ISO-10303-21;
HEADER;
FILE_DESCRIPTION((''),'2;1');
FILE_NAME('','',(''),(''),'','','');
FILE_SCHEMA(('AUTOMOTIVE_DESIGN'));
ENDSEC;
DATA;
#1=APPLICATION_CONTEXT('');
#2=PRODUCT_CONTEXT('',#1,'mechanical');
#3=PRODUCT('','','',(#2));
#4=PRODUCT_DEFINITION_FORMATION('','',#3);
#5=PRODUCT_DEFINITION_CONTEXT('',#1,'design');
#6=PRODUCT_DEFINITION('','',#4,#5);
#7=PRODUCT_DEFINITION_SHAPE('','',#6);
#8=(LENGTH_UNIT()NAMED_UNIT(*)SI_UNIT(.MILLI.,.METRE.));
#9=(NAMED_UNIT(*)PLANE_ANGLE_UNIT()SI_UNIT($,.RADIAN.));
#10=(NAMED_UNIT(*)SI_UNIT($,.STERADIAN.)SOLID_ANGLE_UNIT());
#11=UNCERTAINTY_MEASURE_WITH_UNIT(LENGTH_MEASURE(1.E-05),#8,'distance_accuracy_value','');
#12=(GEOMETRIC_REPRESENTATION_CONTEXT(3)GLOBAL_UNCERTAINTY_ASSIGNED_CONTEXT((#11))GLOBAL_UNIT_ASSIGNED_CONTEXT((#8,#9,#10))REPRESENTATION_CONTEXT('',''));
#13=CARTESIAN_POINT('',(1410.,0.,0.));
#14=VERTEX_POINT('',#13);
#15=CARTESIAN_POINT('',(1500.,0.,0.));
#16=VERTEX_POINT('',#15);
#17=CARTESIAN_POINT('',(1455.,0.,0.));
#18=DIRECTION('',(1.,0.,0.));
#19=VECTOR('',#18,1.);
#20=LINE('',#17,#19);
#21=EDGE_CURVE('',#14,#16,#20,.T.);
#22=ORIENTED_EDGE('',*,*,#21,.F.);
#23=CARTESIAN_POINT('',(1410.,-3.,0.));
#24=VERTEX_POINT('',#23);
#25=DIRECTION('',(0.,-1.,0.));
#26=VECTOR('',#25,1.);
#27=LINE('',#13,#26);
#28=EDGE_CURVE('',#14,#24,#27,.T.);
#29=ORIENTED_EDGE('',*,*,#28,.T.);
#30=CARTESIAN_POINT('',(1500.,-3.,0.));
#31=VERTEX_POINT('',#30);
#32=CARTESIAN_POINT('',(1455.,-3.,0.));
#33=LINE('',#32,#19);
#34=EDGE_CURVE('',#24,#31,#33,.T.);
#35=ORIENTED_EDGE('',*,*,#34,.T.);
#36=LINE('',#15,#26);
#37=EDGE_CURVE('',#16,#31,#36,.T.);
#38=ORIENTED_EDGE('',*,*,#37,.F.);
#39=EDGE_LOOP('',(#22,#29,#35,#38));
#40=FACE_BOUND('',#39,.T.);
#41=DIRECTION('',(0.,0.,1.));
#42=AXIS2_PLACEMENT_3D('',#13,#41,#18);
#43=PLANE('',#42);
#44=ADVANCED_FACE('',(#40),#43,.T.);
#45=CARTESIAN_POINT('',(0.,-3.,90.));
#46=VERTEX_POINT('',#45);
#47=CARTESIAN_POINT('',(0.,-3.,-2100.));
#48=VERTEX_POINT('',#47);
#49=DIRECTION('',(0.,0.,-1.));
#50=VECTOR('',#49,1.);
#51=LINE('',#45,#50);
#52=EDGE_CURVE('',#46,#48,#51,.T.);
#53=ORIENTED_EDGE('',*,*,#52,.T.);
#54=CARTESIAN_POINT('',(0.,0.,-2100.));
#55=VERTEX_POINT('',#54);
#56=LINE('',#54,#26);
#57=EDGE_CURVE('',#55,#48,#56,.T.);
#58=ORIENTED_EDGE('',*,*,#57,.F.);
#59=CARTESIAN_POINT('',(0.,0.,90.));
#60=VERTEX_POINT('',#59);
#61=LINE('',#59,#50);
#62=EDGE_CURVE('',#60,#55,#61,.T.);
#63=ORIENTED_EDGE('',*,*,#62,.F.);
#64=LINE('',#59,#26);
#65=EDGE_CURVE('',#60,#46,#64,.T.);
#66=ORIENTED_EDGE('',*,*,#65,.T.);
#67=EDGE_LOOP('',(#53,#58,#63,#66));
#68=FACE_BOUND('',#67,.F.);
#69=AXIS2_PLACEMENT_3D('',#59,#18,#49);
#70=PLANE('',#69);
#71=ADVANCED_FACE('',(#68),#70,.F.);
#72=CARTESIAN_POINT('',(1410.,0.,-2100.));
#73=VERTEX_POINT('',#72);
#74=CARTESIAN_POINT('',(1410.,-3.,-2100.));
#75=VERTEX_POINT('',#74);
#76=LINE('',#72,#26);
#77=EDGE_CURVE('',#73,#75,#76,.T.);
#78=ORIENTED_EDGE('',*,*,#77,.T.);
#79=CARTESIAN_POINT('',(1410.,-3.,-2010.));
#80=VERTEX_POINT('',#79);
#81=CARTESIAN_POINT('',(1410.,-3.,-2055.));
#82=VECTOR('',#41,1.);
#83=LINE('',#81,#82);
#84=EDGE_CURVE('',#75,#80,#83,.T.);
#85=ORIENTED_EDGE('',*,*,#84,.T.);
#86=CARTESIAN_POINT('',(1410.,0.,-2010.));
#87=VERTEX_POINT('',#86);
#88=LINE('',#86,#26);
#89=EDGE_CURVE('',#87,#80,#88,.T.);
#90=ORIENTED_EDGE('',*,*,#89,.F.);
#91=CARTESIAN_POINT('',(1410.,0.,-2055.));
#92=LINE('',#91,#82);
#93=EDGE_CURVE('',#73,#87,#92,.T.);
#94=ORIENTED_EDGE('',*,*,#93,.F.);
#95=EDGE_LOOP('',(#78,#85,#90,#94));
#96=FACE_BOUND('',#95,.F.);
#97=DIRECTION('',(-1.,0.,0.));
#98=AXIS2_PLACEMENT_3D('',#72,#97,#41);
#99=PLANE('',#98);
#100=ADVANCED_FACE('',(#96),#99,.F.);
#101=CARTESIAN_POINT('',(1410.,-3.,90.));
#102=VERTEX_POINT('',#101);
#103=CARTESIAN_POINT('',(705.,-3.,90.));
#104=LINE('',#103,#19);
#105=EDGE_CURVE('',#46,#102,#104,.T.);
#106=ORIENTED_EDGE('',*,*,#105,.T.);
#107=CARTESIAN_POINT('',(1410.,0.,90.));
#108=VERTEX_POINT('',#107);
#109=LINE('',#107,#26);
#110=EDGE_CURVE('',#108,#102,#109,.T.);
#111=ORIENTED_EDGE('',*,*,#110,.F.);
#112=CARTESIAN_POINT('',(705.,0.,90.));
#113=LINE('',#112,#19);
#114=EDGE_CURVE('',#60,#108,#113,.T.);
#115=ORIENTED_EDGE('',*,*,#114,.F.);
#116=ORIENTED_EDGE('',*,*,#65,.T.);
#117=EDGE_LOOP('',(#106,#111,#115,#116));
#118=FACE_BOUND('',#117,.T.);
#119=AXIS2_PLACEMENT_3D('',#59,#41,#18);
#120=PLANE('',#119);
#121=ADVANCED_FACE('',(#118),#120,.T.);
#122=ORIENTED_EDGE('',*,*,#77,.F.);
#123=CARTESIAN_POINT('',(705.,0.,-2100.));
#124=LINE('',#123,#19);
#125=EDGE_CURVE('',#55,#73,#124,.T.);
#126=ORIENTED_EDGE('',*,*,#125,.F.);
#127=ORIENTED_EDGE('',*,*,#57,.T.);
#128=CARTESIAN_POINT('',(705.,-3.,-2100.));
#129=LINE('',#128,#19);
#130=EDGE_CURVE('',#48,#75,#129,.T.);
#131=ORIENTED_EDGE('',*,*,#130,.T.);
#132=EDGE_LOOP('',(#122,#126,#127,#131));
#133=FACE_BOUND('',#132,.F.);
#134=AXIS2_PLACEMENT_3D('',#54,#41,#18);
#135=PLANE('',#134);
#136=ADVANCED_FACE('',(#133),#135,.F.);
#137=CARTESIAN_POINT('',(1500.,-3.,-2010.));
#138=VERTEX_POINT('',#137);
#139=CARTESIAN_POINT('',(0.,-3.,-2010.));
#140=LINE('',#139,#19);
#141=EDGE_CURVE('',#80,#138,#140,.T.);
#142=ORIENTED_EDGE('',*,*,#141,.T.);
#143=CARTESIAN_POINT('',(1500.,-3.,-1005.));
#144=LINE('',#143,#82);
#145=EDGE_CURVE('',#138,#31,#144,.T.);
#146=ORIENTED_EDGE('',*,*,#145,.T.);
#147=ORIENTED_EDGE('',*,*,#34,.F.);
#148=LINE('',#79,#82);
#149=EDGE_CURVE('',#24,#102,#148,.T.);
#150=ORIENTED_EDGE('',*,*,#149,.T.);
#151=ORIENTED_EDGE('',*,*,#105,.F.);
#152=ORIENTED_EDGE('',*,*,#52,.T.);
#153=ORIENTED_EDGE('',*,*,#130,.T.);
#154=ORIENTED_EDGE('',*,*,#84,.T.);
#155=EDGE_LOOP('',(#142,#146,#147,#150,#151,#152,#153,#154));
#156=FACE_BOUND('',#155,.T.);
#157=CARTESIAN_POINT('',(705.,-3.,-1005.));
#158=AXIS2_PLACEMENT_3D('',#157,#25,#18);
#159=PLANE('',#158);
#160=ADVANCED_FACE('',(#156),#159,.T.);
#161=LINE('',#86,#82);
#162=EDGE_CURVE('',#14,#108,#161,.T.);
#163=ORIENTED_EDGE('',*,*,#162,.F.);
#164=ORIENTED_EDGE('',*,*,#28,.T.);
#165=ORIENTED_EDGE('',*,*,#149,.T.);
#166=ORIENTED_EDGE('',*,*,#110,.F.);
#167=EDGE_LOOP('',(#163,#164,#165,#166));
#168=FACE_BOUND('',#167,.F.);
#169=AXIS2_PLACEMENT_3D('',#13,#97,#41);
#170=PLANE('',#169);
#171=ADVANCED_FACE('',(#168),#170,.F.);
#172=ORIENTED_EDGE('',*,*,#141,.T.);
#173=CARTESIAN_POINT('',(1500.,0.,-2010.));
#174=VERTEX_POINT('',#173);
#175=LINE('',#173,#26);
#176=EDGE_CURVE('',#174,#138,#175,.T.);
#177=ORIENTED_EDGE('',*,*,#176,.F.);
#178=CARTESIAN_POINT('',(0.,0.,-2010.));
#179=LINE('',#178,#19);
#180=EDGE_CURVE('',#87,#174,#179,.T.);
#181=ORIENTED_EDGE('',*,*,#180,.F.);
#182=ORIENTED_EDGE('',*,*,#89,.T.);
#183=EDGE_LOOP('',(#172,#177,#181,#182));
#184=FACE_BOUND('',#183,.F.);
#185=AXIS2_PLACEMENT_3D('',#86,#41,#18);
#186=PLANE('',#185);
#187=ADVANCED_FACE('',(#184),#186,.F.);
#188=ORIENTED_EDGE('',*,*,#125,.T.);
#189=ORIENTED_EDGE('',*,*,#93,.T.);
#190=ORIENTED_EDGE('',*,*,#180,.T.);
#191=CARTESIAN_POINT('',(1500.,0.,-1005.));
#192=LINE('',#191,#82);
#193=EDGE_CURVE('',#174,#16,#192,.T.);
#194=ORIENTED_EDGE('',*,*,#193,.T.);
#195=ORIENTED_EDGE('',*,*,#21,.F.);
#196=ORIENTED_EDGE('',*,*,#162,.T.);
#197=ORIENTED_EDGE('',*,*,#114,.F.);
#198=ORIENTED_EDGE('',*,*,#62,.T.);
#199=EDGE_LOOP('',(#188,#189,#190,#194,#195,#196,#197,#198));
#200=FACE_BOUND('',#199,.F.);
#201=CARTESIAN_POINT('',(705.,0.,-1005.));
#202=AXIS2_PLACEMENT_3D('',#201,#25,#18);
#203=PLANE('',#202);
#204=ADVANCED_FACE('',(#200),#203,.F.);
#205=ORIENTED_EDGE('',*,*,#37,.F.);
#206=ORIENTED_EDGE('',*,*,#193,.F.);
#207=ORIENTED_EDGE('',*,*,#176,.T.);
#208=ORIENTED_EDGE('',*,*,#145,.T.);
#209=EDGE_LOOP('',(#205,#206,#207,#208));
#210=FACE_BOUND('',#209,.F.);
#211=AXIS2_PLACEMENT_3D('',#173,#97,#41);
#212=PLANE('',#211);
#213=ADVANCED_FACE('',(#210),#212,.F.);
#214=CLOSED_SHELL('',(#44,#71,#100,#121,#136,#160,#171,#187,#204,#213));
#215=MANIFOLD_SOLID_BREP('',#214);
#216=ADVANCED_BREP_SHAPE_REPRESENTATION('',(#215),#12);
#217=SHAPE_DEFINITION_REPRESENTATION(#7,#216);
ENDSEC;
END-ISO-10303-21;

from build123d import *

# Parameters (mm, degrees)
F0_W     = 1410
F0_H     = 2010
F0_H_2   = 90
F0_W_2   = 90
F1_DEPTH = 3


with BuildPart() as f1:
    # F0 (on Front) → F1 (new body)
    with BuildSketch(Plane.XZ):
        with Locations((705, -1005)):
            Rectangle(F0_W, F0_H)
        with Locations((705, 45)):
            Rectangle(F0_W, F0_H_2)
        with Locations((1455, -1005)):
            Rectangle(F0_W_2, F0_H)
        with Locations((705, -2055)):
            Rectangle(F0_W, F0_H_2)
    extrude(amount=F1_DEPTH)


solid = f1.part
